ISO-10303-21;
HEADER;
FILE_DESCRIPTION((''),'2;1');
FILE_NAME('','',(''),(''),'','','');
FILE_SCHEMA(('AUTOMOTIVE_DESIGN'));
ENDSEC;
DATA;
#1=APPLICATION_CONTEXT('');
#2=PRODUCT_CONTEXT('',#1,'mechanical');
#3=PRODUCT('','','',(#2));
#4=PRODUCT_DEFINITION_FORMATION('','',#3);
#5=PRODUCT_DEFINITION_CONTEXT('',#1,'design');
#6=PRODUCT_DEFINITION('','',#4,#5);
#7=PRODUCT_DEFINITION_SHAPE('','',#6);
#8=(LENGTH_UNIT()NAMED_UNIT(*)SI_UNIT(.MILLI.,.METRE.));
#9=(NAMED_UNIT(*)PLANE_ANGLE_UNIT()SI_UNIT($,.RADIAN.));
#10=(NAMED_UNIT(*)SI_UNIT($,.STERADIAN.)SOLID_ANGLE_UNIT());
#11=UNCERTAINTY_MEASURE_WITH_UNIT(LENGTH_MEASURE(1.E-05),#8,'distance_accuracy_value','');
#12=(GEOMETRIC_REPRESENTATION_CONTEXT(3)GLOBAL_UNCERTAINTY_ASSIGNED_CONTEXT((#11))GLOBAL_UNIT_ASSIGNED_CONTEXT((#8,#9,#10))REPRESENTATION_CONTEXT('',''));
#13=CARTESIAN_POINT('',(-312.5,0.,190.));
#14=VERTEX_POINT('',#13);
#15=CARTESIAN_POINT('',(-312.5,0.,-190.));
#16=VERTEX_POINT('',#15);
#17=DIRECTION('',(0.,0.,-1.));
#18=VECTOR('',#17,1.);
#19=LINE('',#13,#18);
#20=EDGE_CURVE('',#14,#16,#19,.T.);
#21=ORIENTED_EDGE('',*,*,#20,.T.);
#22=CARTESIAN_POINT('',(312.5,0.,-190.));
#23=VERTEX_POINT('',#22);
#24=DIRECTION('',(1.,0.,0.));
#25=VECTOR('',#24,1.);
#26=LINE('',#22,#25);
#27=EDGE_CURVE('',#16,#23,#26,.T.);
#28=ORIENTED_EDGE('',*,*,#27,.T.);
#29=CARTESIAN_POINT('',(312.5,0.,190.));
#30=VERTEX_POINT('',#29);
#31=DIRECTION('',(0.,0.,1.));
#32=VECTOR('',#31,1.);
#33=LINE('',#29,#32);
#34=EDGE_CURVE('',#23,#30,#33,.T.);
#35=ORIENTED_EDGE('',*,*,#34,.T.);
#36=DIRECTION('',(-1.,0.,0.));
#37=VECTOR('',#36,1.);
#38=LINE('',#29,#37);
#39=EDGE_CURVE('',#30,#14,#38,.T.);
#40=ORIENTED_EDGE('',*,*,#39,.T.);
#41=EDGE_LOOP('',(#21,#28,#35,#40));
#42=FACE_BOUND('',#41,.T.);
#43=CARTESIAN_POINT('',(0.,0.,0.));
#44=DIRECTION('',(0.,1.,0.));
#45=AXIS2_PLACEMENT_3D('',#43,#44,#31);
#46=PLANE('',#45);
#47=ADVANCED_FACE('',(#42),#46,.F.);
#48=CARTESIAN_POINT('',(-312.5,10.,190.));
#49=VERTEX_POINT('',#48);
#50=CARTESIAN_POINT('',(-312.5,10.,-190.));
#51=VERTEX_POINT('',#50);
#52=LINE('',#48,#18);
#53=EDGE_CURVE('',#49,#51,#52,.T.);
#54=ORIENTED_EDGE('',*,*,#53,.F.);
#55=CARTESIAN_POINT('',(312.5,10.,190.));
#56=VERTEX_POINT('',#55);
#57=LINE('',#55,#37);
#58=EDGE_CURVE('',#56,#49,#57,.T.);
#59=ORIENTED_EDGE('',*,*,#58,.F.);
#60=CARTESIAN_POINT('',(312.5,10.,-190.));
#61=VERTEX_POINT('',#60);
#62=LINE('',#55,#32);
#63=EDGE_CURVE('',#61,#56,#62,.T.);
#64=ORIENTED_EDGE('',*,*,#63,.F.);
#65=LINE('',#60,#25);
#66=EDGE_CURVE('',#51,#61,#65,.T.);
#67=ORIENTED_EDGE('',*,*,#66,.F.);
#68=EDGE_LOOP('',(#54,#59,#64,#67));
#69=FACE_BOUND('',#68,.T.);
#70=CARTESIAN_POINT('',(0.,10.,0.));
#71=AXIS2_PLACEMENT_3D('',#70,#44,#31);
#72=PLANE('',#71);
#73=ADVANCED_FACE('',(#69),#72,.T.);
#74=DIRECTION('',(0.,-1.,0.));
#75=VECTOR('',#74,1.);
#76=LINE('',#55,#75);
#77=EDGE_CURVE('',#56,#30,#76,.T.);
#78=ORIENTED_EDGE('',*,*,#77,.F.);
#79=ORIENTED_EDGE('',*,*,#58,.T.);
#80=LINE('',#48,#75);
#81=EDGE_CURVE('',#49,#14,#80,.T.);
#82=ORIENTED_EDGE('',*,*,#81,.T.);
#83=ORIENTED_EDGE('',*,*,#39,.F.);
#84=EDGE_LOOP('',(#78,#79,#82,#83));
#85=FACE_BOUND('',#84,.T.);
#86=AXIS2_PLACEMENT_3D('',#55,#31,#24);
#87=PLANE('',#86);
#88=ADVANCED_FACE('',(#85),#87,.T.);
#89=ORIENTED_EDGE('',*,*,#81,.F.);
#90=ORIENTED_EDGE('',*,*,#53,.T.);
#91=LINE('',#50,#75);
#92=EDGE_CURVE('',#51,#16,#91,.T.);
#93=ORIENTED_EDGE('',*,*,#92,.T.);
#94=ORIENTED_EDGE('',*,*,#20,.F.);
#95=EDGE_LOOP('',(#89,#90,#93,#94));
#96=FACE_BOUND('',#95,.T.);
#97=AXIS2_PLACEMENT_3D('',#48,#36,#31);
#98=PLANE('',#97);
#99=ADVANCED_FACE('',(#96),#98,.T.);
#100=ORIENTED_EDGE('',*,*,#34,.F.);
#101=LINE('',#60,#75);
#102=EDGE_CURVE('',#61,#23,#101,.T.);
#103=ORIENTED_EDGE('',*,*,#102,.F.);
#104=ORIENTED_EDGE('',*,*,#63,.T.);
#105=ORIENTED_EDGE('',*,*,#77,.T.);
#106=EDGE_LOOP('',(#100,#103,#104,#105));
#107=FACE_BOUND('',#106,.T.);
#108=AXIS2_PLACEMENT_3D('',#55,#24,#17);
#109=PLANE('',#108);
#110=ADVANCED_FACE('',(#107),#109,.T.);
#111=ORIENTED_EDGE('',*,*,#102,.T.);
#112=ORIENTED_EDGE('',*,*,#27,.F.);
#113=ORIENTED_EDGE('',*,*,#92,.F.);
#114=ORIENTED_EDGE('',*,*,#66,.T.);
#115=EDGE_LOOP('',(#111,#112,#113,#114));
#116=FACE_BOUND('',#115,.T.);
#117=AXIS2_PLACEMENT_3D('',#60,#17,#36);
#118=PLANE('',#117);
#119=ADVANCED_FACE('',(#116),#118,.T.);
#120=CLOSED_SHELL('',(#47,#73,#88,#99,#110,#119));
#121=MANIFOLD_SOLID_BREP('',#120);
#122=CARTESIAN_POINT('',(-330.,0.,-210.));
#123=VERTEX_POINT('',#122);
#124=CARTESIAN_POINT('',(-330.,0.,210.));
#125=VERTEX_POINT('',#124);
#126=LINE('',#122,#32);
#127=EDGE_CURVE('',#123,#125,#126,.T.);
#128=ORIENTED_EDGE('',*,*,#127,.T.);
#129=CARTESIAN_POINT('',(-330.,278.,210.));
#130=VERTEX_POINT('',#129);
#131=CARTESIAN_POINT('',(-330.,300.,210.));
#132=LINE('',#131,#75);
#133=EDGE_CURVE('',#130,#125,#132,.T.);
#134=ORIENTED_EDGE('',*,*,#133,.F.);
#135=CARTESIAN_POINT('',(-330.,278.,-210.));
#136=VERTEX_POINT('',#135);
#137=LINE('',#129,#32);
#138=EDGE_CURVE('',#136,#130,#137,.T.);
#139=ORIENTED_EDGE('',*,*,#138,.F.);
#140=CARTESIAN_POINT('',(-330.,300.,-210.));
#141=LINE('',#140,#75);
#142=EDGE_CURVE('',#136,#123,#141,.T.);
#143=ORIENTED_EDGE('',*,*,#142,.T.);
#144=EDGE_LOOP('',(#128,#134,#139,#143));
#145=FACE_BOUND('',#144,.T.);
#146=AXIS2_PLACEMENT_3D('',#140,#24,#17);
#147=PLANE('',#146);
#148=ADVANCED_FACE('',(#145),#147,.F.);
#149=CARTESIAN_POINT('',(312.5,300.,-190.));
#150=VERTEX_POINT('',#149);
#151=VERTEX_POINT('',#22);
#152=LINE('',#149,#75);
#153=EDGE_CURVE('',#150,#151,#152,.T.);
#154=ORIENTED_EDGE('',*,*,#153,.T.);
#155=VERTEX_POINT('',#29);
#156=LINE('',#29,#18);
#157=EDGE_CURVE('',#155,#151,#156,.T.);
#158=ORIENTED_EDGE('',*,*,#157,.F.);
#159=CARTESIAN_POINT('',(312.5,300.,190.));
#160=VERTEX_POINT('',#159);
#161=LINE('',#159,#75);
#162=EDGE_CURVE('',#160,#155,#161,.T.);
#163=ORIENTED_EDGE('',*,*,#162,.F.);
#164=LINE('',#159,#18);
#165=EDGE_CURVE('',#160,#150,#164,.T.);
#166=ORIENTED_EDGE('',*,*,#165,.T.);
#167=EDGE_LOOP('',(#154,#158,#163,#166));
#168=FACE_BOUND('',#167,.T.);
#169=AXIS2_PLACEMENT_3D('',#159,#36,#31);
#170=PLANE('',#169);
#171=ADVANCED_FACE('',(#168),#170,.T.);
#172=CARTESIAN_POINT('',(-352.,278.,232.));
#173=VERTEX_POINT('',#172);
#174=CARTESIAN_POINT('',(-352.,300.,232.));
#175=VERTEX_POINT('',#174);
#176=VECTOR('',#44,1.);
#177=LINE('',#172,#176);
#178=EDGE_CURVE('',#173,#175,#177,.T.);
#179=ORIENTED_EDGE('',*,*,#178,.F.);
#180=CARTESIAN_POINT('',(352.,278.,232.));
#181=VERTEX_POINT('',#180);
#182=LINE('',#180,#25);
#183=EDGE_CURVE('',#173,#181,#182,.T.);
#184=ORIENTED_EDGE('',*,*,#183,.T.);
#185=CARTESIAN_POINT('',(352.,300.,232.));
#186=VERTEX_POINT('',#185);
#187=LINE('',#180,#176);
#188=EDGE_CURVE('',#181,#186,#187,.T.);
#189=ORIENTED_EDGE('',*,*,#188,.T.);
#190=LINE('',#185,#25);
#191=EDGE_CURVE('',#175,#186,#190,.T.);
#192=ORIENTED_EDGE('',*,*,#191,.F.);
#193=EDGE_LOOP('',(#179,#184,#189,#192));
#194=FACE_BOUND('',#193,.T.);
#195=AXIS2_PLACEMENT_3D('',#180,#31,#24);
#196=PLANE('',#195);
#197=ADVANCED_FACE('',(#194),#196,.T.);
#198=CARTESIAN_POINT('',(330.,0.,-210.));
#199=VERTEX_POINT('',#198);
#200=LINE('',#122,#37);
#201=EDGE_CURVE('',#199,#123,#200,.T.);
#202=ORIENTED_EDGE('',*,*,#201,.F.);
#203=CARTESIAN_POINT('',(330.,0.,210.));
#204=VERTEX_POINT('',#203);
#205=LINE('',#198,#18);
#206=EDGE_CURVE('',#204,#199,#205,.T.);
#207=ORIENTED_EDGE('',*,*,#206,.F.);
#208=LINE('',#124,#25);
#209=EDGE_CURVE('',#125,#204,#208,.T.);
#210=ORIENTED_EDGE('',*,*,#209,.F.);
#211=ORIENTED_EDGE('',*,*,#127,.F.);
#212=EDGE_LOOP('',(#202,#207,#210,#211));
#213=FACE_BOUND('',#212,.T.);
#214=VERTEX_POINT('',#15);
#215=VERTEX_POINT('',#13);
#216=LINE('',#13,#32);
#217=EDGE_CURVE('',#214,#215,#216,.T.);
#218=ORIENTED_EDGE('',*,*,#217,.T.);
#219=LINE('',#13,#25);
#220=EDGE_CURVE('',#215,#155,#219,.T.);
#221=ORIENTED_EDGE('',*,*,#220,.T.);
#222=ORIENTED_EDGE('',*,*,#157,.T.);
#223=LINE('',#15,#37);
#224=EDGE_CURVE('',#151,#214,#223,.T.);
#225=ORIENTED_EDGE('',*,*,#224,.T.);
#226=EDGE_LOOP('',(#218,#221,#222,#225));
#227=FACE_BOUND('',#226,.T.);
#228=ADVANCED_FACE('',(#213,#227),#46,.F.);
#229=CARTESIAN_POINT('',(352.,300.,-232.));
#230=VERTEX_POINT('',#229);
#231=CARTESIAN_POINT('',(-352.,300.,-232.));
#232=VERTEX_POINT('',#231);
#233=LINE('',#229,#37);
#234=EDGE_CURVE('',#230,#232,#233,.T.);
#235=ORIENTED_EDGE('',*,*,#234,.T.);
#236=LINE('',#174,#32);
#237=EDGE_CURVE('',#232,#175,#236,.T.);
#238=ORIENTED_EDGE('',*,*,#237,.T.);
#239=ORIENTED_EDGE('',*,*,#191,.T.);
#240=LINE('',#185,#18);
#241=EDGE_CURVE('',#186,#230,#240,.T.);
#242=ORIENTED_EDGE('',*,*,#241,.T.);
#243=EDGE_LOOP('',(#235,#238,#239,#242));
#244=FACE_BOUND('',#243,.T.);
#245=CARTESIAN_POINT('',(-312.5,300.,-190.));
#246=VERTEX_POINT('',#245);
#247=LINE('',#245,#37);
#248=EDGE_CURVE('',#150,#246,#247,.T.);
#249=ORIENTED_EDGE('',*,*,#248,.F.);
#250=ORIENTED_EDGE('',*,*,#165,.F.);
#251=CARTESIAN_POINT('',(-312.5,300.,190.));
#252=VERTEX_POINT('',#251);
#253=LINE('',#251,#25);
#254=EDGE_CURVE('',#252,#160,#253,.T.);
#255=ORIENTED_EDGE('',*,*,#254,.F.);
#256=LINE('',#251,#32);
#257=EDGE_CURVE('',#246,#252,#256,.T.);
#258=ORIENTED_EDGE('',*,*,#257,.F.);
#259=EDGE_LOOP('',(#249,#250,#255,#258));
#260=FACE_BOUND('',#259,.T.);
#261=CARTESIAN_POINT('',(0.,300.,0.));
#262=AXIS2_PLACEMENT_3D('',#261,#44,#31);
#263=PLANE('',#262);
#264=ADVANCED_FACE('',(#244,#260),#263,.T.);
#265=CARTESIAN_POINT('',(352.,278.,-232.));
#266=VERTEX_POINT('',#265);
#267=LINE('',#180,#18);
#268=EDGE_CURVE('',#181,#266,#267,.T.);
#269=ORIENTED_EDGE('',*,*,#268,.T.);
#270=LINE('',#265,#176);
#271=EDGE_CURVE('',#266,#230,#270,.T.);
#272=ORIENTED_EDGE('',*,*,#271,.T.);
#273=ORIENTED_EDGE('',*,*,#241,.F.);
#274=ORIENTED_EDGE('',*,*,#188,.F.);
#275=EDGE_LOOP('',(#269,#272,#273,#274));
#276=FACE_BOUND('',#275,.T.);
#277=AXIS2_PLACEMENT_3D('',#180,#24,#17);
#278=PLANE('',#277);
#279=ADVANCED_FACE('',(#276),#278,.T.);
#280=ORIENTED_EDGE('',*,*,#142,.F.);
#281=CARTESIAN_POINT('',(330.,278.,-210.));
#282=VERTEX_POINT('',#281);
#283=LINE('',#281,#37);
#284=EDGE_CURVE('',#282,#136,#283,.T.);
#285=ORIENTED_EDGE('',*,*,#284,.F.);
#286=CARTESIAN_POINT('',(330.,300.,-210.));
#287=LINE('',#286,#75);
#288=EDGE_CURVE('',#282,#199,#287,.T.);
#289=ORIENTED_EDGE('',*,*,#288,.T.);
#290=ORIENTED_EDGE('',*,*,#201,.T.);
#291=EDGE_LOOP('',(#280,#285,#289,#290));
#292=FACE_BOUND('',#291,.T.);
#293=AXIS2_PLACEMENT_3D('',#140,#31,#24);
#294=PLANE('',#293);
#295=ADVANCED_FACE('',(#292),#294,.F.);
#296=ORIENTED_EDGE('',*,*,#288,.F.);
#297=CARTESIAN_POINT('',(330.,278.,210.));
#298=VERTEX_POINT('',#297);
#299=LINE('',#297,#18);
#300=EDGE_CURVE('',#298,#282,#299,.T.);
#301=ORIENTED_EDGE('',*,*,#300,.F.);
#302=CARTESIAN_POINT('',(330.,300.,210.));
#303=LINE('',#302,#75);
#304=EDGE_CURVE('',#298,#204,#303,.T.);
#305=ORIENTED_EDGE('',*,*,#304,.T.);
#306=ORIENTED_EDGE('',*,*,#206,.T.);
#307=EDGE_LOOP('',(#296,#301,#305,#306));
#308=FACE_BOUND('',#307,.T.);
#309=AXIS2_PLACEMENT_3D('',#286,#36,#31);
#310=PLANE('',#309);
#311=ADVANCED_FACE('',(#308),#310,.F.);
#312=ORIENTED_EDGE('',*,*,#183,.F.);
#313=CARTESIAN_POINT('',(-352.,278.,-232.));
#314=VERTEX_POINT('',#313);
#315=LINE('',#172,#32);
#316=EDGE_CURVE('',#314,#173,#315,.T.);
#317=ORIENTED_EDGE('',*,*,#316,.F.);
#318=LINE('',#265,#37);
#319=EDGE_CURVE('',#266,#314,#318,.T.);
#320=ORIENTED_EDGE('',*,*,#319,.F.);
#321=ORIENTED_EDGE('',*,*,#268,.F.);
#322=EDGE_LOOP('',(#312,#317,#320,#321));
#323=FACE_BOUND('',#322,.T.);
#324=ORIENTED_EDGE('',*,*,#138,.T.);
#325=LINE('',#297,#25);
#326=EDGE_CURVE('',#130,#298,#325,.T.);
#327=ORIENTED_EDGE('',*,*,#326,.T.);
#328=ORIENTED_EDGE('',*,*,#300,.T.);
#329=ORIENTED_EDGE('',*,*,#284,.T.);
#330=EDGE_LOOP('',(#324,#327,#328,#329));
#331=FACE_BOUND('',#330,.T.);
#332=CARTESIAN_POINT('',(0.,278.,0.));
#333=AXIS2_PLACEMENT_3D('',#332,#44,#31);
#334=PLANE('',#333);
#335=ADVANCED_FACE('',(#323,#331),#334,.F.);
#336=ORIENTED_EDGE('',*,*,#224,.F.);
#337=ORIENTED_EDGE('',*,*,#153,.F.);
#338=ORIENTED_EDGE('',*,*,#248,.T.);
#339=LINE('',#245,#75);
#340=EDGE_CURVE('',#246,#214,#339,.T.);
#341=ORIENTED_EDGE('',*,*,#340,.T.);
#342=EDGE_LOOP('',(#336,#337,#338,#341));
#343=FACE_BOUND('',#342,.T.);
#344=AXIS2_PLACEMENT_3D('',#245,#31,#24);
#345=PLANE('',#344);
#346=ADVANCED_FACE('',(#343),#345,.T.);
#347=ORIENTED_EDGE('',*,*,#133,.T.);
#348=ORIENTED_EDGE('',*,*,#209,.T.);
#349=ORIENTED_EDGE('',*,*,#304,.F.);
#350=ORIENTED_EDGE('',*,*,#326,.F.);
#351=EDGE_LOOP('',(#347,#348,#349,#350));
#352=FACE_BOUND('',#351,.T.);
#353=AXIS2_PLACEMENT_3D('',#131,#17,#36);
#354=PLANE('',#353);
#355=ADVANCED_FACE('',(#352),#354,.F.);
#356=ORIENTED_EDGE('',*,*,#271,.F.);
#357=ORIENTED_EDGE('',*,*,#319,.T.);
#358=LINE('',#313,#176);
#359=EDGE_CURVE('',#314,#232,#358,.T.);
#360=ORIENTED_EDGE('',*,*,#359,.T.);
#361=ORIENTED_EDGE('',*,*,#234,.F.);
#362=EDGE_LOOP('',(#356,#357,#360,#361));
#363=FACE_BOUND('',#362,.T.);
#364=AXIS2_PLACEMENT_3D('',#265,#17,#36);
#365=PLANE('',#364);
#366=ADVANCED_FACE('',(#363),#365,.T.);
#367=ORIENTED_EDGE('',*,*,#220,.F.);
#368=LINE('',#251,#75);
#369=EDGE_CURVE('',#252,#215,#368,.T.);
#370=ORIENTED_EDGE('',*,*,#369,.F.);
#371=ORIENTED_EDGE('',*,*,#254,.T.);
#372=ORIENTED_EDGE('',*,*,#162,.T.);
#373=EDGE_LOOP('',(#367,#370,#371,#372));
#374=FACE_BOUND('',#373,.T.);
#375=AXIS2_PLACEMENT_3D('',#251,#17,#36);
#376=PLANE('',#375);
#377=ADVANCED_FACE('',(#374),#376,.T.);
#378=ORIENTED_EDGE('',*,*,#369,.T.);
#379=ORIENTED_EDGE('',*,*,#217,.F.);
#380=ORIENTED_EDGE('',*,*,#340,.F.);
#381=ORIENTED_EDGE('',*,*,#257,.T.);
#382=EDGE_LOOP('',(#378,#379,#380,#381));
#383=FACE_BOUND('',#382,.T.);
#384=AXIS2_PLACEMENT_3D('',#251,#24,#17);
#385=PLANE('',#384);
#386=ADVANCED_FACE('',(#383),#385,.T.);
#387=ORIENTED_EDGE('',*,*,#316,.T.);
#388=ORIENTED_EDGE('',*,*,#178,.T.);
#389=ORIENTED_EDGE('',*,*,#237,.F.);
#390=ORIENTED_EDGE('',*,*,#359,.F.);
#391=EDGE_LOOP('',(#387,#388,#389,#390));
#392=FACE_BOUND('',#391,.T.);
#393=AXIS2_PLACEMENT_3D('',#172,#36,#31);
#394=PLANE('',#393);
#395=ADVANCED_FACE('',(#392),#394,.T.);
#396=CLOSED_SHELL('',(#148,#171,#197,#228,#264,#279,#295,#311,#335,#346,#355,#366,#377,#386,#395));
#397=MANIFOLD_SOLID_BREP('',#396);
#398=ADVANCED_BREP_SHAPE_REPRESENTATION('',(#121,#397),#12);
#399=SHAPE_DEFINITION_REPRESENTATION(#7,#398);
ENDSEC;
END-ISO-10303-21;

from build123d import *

# Parameters (mm, degrees)
SKETCH1_W           = 660
SKETCH1_H           = 420
SKETCH1_W_2         = 625
SKETCH1_H_2         = 380
BOSS_EXTRUDE1_DEPTH = 300
SKETCH2_W           = 625
SKETCH2_H           = 380
BOSS_EXTRUDE2_DEPTH = 10
SKETCH3_W           = 704
SKETCH3_H           = 464
SKETCH3_W_2         = 660
SKETCH3_H_2         = 420
BOSS_EXTRUDE3_DEPTH = 22


with BuildPart() as part:
    # Sketch1 → Boss-Extrude1 (new body)
    with BuildSketch(Plane(origin=(0, 0, 0), x_dir=(1, 0, 0), z_dir=(0, 1, 0))):
        Rectangle(SKETCH1_W, SKETCH1_H)
        Rectangle(SKETCH1_W_2, SKETCH1_H_2, mode=Mode.SUBTRACT)
    extrude(amount=BOSS_EXTRUDE1_DEPTH)

    # Sketch3 → Boss-Extrude3 (add)
    with BuildSketch(Plane(origin=(0, 300, 0), x_dir=(1, 0, 0), z_dir=(0, 1, 0))):
        Rectangle(SKETCH3_W, SKETCH3_H)
        Rectangle(SKETCH3_W_2, SKETCH3_H_2, mode=Mode.SUBTRACT)
    extrude(amount=-BOSS_EXTRUDE3_DEPTH)


with BuildPart() as body_2:
    # Sketch2 → Boss-Extrude2 (new body)
    with BuildSketch(Plane.XZ):
        Rectangle(SKETCH2_W, SKETCH2_H)
    extrude(amount=-BOSS_EXTRUDE2_DEPTH)


solid = Compound([part.part, body_2.part])
